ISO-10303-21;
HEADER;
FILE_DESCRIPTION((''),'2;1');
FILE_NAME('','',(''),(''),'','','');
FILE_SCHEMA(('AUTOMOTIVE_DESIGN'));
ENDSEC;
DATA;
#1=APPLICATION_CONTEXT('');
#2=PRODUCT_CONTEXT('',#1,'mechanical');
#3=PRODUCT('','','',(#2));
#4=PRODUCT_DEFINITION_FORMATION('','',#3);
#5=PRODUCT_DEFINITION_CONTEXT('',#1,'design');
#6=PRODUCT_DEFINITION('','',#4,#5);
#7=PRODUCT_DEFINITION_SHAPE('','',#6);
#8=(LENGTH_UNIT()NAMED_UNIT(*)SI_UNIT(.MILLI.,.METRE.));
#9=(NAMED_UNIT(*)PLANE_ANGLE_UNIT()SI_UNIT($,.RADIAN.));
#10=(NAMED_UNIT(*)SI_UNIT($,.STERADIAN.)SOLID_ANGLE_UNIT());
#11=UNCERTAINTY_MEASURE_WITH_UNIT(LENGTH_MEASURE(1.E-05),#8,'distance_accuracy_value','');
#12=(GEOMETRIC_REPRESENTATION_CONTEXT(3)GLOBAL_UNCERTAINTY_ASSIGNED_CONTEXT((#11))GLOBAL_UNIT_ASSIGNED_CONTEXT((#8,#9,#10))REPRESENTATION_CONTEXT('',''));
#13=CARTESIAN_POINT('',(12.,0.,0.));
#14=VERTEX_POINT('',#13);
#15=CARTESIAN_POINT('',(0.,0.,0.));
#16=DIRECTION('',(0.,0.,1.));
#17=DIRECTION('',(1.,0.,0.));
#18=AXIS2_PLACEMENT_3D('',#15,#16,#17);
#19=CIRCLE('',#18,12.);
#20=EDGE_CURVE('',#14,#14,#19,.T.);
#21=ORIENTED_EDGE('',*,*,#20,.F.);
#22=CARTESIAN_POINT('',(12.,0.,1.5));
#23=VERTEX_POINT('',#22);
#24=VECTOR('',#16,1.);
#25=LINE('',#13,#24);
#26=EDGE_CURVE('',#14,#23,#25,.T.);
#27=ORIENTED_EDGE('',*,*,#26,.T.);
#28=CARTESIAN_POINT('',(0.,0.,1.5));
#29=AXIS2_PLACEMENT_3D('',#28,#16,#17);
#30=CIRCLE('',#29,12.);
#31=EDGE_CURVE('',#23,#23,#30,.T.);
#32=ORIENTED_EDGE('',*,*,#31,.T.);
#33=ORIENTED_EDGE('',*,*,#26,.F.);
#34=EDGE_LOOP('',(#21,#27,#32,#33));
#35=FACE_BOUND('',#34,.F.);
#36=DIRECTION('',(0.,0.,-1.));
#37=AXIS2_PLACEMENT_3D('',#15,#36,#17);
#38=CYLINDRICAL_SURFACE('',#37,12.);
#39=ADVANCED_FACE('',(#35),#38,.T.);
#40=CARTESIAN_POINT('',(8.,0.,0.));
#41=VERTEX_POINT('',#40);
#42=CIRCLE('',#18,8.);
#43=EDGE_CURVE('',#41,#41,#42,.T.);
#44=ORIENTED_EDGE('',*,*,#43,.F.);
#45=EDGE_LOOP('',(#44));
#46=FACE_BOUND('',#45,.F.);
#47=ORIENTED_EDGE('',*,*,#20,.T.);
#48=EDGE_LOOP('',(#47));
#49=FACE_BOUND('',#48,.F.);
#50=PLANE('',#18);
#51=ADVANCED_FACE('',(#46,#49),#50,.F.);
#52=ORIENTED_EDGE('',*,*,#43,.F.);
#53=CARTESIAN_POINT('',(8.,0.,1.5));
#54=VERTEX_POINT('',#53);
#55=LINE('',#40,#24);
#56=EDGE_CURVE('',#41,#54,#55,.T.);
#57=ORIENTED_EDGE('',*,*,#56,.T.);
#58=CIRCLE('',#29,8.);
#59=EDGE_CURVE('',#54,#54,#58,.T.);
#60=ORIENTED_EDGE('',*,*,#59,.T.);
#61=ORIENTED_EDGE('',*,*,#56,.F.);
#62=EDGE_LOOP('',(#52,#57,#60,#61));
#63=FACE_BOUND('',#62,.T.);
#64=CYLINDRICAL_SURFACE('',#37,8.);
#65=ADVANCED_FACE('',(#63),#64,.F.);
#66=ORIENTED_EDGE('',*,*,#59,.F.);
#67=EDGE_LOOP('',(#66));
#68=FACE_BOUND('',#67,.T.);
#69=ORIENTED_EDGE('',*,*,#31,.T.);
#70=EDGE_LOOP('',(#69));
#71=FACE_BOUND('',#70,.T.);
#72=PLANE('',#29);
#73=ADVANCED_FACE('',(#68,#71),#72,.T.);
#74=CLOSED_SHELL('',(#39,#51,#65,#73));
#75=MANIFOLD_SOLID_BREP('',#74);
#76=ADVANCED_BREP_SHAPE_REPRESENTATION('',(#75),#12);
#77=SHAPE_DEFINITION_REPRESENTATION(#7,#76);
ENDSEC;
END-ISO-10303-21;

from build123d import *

# Parameters (mm, degrees)
SKETCH_R   = 12
SKETCH_R_2 = 8
PAD_DEPTH  = 1.5


with BuildPart() as part:
    # Sketch → Pad (new body)
    with BuildSketch(Plane.XY):
        Circle(SKETCH_R)
        Circle(SKETCH_R_2, mode=Mode.SUBTRACT)
    extrude(amount=PAD_DEPTH)


solid = part.part
